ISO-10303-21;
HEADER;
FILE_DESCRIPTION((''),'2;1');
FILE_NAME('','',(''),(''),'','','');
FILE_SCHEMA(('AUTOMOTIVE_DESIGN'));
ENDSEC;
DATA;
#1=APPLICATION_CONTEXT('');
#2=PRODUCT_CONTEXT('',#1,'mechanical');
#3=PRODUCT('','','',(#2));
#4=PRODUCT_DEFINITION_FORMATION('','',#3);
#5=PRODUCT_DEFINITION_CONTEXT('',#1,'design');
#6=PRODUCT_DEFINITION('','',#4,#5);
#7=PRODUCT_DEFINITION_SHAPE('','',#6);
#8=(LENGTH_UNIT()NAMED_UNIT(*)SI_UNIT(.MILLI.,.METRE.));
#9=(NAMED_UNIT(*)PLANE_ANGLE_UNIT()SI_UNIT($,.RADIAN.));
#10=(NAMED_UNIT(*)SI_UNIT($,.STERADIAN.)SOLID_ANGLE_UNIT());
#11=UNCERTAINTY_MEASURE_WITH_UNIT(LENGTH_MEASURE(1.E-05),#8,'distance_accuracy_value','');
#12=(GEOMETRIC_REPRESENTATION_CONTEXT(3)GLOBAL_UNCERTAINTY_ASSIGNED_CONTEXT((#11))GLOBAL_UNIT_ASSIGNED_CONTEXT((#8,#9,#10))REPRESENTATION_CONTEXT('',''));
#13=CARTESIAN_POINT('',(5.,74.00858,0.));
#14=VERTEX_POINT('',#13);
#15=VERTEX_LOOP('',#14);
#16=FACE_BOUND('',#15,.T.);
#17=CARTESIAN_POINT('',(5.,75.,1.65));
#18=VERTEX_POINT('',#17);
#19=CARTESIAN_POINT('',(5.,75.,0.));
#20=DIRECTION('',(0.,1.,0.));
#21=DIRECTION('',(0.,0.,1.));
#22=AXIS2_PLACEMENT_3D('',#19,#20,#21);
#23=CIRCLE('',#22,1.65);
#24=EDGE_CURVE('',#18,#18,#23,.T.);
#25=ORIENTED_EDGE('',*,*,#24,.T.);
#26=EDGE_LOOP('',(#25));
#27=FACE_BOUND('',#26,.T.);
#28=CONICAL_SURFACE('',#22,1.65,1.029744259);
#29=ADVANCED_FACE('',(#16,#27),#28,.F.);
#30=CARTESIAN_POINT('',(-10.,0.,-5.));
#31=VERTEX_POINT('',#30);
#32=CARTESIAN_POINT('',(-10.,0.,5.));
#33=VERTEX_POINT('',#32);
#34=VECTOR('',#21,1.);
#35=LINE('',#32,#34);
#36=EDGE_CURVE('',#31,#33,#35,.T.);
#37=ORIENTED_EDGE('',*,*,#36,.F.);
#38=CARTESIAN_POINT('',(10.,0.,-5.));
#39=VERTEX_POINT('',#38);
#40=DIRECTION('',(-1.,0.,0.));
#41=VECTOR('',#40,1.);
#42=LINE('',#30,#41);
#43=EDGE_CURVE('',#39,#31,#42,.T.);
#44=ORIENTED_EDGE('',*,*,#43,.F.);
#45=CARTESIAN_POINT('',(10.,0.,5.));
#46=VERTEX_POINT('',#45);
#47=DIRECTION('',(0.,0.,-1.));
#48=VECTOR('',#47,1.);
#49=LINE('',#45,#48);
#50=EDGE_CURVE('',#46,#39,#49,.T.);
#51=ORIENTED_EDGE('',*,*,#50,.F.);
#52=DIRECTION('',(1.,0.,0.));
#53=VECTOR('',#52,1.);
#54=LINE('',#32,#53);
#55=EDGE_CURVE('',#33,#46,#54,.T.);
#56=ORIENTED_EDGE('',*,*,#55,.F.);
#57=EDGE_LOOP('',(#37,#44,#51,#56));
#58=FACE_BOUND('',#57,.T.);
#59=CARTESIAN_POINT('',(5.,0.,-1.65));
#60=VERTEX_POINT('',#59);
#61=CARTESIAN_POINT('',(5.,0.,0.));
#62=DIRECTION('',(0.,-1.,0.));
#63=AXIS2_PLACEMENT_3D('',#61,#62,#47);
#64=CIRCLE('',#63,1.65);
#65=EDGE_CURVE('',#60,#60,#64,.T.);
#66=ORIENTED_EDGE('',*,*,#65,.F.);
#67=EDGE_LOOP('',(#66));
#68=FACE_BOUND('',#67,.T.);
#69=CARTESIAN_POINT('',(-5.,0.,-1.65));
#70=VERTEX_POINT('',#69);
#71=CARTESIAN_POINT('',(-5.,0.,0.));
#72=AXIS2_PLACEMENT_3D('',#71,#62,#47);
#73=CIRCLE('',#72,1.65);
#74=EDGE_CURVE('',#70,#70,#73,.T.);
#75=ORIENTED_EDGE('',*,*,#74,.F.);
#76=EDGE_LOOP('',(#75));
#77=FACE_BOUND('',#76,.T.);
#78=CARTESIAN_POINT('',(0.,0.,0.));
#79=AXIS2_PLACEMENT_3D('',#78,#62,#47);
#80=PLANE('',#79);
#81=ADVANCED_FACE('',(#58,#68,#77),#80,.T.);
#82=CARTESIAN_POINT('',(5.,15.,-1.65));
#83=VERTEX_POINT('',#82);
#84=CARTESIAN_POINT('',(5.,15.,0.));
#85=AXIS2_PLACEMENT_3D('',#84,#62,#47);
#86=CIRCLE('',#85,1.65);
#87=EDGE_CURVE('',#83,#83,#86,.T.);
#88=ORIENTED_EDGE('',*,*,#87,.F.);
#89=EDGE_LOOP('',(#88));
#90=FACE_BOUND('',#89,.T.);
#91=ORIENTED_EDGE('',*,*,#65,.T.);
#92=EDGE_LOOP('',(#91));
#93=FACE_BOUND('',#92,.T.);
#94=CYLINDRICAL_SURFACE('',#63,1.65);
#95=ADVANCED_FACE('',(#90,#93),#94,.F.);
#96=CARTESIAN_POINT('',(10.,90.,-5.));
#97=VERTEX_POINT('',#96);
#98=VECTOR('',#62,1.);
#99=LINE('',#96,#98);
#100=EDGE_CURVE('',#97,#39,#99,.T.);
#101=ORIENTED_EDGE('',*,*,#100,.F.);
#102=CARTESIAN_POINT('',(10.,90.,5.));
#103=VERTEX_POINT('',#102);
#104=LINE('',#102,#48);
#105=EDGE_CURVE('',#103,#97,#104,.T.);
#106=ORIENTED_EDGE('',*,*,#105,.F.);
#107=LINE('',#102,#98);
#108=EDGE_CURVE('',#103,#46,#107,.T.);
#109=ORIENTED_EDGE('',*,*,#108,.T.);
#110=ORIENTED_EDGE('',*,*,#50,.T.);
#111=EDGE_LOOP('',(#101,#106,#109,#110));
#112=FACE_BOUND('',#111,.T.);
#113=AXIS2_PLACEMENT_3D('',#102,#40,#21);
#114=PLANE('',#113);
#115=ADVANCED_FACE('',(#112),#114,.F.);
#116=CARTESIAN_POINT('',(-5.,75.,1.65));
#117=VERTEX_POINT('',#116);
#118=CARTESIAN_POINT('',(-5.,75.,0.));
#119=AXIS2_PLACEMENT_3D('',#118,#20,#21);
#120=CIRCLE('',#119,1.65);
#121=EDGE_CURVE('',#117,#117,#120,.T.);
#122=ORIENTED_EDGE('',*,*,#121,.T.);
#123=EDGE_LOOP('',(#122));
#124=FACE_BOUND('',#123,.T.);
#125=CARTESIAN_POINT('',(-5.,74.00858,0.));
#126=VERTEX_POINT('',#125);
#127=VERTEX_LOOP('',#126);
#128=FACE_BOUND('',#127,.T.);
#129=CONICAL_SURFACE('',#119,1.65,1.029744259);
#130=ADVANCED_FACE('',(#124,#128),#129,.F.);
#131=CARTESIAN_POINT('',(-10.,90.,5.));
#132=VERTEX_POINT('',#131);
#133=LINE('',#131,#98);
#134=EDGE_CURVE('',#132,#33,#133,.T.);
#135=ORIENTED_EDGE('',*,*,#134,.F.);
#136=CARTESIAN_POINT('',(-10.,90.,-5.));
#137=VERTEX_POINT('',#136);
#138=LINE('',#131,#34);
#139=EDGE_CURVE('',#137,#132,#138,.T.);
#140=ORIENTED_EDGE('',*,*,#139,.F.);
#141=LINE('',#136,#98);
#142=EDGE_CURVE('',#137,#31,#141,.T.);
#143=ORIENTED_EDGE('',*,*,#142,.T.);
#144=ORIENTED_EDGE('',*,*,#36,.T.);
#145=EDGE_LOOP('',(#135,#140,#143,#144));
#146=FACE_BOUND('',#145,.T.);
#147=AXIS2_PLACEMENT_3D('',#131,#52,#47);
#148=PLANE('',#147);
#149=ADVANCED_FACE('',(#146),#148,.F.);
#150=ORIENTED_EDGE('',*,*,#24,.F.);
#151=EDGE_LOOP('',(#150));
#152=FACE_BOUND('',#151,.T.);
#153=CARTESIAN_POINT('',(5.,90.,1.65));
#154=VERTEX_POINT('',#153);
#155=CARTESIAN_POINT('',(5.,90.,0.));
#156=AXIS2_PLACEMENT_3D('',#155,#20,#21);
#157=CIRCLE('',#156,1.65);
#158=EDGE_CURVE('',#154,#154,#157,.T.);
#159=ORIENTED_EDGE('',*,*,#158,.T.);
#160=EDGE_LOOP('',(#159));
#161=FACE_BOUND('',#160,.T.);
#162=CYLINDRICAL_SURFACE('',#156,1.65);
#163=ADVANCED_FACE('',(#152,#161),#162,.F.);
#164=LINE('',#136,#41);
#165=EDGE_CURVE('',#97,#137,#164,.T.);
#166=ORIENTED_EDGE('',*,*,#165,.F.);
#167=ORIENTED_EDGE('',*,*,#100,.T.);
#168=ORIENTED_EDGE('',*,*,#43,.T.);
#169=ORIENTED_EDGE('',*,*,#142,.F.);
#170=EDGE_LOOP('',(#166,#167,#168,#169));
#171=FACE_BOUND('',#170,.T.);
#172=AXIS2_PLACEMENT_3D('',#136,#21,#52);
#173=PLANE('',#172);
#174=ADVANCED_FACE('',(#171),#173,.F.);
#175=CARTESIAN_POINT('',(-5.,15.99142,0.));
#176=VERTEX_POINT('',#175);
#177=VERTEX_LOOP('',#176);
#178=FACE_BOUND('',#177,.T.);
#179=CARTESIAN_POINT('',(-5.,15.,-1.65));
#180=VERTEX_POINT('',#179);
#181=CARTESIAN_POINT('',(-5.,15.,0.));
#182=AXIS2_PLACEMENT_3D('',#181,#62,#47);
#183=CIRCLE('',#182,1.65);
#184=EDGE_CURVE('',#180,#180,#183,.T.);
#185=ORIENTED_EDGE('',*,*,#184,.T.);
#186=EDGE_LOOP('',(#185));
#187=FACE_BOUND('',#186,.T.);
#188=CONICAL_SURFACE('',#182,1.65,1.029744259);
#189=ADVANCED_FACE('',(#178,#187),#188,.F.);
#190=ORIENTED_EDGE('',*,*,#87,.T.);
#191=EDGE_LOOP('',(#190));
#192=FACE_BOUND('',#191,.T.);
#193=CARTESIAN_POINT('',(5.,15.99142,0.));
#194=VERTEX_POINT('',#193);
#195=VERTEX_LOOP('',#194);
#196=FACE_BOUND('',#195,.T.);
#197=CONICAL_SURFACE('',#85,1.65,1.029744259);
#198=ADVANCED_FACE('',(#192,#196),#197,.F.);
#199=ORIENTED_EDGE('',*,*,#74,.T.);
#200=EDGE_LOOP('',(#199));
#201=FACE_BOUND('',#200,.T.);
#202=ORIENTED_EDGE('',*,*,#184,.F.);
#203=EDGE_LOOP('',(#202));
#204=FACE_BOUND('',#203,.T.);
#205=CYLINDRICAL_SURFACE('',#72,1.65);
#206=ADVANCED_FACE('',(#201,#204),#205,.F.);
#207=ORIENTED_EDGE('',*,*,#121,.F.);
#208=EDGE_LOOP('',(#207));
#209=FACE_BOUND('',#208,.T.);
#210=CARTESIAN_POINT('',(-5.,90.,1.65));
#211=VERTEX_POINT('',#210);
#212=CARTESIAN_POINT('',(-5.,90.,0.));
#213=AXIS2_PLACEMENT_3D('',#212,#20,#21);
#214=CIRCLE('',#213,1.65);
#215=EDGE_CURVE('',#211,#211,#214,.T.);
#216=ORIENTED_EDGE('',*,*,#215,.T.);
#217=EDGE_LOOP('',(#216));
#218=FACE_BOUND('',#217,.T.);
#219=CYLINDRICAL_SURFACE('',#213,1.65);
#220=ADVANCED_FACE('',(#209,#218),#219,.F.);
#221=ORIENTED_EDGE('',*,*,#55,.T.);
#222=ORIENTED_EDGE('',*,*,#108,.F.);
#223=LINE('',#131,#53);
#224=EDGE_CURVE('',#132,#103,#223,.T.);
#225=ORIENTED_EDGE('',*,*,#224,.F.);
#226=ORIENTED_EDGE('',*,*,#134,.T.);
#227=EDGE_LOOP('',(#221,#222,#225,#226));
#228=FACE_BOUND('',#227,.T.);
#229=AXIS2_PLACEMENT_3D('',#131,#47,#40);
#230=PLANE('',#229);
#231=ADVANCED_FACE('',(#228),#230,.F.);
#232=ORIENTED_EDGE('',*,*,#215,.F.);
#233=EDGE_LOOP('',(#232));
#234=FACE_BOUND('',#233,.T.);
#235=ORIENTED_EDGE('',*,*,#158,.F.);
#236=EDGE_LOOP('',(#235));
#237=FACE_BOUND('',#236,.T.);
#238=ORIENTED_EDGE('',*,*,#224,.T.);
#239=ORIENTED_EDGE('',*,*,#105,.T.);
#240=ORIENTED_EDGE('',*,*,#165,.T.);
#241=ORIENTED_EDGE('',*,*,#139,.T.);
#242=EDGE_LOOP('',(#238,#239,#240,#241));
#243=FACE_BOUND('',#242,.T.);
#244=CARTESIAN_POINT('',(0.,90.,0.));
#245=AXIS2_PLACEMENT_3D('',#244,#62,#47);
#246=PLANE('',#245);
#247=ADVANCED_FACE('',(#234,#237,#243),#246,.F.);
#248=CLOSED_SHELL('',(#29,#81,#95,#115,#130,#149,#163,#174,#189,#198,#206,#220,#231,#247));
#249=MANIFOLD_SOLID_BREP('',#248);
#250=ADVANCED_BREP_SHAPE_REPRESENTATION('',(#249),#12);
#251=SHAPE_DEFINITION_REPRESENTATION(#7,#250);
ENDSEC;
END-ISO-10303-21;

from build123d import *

# Parameters (mm, degrees)
SKETCH1_W                 = 20
SKETCH1_H                 = 10
BOSS_EXTRUDE1_DEPTH       = 90
M4X0_7_TAPPED_HOLE1_D     = 3.3
M4X0_7_TAPPED_HOLE1_DEPTH = 15
M4X0_7_TAPPED_HOLE1_TIP   = 0.991420021
M4X0_7_TAPPED_HOLE2_D     = 3.3
M4X0_7_TAPPED_HOLE2_DEPTH = 15
M4X0_7_TAPPED_HOLE2_TIP   = 0.991420021


with BuildPart() as part:
    # Sketch1 → Boss-Extrude1 (new body)
    with BuildSketch(Plane(origin=(0, 0, 0), x_dir=(1, 0, 0), z_dir=(0, 1, 0))):
        Rectangle(SKETCH1_W, SKETCH1_H)
    extrude(amount=BOSS_EXTRUDE1_DEPTH)

    # M4x0.7 Tapped Hole1
    with Locations(Plane(origin=(0, 0, 0), x_dir=(-1, 0, 0), z_dir=(0, -1, 0))):
        with Locations((-5, 0), (5, 0)):
            Hole(M4X0_7_TAPPED_HOLE1_D / 2, depth=M4X0_7_TAPPED_HOLE1_DEPTH)
            with Locations((0, 0, -(M4X0_7_TAPPED_HOLE1_DEPTH + M4X0_7_TAPPED_HOLE1_TIP / 2))):  # 118° drill point
                Cone(0, M4X0_7_TAPPED_HOLE1_D / 2, M4X0_7_TAPPED_HOLE1_TIP, mode=Mode.SUBTRACT)

    # M4x0.7 Tapped Hole2
    with Locations(Plane(origin=(0, 90, 0), x_dir=(1, 0, 0), z_dir=(0, 1, 0))):
        with Locations((-5, 0), (5, 0)):
            Hole(M4X0_7_TAPPED_HOLE2_D / 2, depth=M4X0_7_TAPPED_HOLE2_DEPTH)
            with Locations((0, 0, -(M4X0_7_TAPPED_HOLE2_DEPTH + M4X0_7_TAPPED_HOLE2_TIP / 2))):  # 118° drill point
                Cone(0, M4X0_7_TAPPED_HOLE2_D / 2, M4X0_7_TAPPED_HOLE2_TIP, mode=Mode.SUBTRACT)


solid = part.part
